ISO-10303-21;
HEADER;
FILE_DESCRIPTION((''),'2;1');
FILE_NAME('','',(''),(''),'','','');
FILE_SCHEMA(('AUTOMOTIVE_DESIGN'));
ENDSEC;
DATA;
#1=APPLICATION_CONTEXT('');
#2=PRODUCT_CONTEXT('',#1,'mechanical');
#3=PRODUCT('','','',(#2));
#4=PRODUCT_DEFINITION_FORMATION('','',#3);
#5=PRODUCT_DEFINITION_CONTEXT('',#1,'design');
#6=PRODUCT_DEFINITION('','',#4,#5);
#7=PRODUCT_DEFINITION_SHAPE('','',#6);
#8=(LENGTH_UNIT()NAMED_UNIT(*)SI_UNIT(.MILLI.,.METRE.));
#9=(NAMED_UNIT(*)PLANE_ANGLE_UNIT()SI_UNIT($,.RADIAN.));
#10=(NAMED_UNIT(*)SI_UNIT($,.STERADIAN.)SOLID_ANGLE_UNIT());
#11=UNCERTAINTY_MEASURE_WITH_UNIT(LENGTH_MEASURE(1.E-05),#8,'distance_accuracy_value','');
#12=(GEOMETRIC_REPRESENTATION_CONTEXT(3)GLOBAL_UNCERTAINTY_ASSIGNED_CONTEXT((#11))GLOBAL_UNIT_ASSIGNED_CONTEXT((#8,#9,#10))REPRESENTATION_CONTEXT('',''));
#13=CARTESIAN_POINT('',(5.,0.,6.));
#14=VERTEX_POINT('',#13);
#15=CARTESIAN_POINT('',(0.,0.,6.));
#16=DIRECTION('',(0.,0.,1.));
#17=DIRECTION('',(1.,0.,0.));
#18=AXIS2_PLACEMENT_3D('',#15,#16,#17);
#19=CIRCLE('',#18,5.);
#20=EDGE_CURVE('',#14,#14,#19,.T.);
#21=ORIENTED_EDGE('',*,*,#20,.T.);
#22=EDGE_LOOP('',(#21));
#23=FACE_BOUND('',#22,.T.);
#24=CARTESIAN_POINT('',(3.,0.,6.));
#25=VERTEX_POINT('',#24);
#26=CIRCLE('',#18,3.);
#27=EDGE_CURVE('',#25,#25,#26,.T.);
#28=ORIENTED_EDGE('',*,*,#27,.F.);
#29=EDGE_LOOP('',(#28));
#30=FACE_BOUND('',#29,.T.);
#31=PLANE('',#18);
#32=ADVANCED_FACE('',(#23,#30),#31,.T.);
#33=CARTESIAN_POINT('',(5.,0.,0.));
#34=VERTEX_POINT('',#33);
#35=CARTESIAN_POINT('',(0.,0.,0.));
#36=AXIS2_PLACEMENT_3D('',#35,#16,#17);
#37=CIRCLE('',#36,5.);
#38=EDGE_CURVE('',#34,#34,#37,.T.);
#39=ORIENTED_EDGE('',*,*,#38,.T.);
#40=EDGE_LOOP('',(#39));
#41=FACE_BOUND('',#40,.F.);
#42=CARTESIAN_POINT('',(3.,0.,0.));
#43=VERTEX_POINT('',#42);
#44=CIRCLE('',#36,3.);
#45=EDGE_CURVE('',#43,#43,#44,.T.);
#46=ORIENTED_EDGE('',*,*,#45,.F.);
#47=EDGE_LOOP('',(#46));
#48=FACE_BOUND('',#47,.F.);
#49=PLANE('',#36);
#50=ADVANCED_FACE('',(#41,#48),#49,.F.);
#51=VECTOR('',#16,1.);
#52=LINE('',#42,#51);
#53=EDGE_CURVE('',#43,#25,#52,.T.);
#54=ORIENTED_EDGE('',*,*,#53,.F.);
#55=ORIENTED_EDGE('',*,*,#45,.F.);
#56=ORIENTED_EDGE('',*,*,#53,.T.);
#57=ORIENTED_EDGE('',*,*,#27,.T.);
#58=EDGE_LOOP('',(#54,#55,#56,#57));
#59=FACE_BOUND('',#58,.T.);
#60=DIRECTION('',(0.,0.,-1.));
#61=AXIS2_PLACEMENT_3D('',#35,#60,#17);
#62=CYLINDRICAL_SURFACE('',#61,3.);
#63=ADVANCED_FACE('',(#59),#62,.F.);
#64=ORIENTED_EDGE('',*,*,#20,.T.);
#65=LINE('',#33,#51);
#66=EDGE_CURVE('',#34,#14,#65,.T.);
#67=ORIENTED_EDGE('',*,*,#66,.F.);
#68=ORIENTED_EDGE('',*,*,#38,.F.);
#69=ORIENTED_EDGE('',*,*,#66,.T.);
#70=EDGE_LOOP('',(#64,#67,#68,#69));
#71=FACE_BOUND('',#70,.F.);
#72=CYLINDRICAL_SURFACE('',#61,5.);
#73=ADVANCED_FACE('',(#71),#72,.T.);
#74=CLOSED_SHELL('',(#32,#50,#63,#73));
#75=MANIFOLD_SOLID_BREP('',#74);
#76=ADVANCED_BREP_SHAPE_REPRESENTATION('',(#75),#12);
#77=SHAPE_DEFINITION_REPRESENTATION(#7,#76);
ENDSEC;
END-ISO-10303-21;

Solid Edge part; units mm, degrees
sketch "Sketch1" plane through (0, 0, 0) normal (0, 0, 1) x (1, 0, 0)
  circle A0 centre (0, 0) radius 5
  circle A1 centre (0, 0) radius 3
  dimension "D1" = 10
  dimension "D2" = 6
extrude "Protrusion1" add sketch "Sketch1" along normal blind 6
